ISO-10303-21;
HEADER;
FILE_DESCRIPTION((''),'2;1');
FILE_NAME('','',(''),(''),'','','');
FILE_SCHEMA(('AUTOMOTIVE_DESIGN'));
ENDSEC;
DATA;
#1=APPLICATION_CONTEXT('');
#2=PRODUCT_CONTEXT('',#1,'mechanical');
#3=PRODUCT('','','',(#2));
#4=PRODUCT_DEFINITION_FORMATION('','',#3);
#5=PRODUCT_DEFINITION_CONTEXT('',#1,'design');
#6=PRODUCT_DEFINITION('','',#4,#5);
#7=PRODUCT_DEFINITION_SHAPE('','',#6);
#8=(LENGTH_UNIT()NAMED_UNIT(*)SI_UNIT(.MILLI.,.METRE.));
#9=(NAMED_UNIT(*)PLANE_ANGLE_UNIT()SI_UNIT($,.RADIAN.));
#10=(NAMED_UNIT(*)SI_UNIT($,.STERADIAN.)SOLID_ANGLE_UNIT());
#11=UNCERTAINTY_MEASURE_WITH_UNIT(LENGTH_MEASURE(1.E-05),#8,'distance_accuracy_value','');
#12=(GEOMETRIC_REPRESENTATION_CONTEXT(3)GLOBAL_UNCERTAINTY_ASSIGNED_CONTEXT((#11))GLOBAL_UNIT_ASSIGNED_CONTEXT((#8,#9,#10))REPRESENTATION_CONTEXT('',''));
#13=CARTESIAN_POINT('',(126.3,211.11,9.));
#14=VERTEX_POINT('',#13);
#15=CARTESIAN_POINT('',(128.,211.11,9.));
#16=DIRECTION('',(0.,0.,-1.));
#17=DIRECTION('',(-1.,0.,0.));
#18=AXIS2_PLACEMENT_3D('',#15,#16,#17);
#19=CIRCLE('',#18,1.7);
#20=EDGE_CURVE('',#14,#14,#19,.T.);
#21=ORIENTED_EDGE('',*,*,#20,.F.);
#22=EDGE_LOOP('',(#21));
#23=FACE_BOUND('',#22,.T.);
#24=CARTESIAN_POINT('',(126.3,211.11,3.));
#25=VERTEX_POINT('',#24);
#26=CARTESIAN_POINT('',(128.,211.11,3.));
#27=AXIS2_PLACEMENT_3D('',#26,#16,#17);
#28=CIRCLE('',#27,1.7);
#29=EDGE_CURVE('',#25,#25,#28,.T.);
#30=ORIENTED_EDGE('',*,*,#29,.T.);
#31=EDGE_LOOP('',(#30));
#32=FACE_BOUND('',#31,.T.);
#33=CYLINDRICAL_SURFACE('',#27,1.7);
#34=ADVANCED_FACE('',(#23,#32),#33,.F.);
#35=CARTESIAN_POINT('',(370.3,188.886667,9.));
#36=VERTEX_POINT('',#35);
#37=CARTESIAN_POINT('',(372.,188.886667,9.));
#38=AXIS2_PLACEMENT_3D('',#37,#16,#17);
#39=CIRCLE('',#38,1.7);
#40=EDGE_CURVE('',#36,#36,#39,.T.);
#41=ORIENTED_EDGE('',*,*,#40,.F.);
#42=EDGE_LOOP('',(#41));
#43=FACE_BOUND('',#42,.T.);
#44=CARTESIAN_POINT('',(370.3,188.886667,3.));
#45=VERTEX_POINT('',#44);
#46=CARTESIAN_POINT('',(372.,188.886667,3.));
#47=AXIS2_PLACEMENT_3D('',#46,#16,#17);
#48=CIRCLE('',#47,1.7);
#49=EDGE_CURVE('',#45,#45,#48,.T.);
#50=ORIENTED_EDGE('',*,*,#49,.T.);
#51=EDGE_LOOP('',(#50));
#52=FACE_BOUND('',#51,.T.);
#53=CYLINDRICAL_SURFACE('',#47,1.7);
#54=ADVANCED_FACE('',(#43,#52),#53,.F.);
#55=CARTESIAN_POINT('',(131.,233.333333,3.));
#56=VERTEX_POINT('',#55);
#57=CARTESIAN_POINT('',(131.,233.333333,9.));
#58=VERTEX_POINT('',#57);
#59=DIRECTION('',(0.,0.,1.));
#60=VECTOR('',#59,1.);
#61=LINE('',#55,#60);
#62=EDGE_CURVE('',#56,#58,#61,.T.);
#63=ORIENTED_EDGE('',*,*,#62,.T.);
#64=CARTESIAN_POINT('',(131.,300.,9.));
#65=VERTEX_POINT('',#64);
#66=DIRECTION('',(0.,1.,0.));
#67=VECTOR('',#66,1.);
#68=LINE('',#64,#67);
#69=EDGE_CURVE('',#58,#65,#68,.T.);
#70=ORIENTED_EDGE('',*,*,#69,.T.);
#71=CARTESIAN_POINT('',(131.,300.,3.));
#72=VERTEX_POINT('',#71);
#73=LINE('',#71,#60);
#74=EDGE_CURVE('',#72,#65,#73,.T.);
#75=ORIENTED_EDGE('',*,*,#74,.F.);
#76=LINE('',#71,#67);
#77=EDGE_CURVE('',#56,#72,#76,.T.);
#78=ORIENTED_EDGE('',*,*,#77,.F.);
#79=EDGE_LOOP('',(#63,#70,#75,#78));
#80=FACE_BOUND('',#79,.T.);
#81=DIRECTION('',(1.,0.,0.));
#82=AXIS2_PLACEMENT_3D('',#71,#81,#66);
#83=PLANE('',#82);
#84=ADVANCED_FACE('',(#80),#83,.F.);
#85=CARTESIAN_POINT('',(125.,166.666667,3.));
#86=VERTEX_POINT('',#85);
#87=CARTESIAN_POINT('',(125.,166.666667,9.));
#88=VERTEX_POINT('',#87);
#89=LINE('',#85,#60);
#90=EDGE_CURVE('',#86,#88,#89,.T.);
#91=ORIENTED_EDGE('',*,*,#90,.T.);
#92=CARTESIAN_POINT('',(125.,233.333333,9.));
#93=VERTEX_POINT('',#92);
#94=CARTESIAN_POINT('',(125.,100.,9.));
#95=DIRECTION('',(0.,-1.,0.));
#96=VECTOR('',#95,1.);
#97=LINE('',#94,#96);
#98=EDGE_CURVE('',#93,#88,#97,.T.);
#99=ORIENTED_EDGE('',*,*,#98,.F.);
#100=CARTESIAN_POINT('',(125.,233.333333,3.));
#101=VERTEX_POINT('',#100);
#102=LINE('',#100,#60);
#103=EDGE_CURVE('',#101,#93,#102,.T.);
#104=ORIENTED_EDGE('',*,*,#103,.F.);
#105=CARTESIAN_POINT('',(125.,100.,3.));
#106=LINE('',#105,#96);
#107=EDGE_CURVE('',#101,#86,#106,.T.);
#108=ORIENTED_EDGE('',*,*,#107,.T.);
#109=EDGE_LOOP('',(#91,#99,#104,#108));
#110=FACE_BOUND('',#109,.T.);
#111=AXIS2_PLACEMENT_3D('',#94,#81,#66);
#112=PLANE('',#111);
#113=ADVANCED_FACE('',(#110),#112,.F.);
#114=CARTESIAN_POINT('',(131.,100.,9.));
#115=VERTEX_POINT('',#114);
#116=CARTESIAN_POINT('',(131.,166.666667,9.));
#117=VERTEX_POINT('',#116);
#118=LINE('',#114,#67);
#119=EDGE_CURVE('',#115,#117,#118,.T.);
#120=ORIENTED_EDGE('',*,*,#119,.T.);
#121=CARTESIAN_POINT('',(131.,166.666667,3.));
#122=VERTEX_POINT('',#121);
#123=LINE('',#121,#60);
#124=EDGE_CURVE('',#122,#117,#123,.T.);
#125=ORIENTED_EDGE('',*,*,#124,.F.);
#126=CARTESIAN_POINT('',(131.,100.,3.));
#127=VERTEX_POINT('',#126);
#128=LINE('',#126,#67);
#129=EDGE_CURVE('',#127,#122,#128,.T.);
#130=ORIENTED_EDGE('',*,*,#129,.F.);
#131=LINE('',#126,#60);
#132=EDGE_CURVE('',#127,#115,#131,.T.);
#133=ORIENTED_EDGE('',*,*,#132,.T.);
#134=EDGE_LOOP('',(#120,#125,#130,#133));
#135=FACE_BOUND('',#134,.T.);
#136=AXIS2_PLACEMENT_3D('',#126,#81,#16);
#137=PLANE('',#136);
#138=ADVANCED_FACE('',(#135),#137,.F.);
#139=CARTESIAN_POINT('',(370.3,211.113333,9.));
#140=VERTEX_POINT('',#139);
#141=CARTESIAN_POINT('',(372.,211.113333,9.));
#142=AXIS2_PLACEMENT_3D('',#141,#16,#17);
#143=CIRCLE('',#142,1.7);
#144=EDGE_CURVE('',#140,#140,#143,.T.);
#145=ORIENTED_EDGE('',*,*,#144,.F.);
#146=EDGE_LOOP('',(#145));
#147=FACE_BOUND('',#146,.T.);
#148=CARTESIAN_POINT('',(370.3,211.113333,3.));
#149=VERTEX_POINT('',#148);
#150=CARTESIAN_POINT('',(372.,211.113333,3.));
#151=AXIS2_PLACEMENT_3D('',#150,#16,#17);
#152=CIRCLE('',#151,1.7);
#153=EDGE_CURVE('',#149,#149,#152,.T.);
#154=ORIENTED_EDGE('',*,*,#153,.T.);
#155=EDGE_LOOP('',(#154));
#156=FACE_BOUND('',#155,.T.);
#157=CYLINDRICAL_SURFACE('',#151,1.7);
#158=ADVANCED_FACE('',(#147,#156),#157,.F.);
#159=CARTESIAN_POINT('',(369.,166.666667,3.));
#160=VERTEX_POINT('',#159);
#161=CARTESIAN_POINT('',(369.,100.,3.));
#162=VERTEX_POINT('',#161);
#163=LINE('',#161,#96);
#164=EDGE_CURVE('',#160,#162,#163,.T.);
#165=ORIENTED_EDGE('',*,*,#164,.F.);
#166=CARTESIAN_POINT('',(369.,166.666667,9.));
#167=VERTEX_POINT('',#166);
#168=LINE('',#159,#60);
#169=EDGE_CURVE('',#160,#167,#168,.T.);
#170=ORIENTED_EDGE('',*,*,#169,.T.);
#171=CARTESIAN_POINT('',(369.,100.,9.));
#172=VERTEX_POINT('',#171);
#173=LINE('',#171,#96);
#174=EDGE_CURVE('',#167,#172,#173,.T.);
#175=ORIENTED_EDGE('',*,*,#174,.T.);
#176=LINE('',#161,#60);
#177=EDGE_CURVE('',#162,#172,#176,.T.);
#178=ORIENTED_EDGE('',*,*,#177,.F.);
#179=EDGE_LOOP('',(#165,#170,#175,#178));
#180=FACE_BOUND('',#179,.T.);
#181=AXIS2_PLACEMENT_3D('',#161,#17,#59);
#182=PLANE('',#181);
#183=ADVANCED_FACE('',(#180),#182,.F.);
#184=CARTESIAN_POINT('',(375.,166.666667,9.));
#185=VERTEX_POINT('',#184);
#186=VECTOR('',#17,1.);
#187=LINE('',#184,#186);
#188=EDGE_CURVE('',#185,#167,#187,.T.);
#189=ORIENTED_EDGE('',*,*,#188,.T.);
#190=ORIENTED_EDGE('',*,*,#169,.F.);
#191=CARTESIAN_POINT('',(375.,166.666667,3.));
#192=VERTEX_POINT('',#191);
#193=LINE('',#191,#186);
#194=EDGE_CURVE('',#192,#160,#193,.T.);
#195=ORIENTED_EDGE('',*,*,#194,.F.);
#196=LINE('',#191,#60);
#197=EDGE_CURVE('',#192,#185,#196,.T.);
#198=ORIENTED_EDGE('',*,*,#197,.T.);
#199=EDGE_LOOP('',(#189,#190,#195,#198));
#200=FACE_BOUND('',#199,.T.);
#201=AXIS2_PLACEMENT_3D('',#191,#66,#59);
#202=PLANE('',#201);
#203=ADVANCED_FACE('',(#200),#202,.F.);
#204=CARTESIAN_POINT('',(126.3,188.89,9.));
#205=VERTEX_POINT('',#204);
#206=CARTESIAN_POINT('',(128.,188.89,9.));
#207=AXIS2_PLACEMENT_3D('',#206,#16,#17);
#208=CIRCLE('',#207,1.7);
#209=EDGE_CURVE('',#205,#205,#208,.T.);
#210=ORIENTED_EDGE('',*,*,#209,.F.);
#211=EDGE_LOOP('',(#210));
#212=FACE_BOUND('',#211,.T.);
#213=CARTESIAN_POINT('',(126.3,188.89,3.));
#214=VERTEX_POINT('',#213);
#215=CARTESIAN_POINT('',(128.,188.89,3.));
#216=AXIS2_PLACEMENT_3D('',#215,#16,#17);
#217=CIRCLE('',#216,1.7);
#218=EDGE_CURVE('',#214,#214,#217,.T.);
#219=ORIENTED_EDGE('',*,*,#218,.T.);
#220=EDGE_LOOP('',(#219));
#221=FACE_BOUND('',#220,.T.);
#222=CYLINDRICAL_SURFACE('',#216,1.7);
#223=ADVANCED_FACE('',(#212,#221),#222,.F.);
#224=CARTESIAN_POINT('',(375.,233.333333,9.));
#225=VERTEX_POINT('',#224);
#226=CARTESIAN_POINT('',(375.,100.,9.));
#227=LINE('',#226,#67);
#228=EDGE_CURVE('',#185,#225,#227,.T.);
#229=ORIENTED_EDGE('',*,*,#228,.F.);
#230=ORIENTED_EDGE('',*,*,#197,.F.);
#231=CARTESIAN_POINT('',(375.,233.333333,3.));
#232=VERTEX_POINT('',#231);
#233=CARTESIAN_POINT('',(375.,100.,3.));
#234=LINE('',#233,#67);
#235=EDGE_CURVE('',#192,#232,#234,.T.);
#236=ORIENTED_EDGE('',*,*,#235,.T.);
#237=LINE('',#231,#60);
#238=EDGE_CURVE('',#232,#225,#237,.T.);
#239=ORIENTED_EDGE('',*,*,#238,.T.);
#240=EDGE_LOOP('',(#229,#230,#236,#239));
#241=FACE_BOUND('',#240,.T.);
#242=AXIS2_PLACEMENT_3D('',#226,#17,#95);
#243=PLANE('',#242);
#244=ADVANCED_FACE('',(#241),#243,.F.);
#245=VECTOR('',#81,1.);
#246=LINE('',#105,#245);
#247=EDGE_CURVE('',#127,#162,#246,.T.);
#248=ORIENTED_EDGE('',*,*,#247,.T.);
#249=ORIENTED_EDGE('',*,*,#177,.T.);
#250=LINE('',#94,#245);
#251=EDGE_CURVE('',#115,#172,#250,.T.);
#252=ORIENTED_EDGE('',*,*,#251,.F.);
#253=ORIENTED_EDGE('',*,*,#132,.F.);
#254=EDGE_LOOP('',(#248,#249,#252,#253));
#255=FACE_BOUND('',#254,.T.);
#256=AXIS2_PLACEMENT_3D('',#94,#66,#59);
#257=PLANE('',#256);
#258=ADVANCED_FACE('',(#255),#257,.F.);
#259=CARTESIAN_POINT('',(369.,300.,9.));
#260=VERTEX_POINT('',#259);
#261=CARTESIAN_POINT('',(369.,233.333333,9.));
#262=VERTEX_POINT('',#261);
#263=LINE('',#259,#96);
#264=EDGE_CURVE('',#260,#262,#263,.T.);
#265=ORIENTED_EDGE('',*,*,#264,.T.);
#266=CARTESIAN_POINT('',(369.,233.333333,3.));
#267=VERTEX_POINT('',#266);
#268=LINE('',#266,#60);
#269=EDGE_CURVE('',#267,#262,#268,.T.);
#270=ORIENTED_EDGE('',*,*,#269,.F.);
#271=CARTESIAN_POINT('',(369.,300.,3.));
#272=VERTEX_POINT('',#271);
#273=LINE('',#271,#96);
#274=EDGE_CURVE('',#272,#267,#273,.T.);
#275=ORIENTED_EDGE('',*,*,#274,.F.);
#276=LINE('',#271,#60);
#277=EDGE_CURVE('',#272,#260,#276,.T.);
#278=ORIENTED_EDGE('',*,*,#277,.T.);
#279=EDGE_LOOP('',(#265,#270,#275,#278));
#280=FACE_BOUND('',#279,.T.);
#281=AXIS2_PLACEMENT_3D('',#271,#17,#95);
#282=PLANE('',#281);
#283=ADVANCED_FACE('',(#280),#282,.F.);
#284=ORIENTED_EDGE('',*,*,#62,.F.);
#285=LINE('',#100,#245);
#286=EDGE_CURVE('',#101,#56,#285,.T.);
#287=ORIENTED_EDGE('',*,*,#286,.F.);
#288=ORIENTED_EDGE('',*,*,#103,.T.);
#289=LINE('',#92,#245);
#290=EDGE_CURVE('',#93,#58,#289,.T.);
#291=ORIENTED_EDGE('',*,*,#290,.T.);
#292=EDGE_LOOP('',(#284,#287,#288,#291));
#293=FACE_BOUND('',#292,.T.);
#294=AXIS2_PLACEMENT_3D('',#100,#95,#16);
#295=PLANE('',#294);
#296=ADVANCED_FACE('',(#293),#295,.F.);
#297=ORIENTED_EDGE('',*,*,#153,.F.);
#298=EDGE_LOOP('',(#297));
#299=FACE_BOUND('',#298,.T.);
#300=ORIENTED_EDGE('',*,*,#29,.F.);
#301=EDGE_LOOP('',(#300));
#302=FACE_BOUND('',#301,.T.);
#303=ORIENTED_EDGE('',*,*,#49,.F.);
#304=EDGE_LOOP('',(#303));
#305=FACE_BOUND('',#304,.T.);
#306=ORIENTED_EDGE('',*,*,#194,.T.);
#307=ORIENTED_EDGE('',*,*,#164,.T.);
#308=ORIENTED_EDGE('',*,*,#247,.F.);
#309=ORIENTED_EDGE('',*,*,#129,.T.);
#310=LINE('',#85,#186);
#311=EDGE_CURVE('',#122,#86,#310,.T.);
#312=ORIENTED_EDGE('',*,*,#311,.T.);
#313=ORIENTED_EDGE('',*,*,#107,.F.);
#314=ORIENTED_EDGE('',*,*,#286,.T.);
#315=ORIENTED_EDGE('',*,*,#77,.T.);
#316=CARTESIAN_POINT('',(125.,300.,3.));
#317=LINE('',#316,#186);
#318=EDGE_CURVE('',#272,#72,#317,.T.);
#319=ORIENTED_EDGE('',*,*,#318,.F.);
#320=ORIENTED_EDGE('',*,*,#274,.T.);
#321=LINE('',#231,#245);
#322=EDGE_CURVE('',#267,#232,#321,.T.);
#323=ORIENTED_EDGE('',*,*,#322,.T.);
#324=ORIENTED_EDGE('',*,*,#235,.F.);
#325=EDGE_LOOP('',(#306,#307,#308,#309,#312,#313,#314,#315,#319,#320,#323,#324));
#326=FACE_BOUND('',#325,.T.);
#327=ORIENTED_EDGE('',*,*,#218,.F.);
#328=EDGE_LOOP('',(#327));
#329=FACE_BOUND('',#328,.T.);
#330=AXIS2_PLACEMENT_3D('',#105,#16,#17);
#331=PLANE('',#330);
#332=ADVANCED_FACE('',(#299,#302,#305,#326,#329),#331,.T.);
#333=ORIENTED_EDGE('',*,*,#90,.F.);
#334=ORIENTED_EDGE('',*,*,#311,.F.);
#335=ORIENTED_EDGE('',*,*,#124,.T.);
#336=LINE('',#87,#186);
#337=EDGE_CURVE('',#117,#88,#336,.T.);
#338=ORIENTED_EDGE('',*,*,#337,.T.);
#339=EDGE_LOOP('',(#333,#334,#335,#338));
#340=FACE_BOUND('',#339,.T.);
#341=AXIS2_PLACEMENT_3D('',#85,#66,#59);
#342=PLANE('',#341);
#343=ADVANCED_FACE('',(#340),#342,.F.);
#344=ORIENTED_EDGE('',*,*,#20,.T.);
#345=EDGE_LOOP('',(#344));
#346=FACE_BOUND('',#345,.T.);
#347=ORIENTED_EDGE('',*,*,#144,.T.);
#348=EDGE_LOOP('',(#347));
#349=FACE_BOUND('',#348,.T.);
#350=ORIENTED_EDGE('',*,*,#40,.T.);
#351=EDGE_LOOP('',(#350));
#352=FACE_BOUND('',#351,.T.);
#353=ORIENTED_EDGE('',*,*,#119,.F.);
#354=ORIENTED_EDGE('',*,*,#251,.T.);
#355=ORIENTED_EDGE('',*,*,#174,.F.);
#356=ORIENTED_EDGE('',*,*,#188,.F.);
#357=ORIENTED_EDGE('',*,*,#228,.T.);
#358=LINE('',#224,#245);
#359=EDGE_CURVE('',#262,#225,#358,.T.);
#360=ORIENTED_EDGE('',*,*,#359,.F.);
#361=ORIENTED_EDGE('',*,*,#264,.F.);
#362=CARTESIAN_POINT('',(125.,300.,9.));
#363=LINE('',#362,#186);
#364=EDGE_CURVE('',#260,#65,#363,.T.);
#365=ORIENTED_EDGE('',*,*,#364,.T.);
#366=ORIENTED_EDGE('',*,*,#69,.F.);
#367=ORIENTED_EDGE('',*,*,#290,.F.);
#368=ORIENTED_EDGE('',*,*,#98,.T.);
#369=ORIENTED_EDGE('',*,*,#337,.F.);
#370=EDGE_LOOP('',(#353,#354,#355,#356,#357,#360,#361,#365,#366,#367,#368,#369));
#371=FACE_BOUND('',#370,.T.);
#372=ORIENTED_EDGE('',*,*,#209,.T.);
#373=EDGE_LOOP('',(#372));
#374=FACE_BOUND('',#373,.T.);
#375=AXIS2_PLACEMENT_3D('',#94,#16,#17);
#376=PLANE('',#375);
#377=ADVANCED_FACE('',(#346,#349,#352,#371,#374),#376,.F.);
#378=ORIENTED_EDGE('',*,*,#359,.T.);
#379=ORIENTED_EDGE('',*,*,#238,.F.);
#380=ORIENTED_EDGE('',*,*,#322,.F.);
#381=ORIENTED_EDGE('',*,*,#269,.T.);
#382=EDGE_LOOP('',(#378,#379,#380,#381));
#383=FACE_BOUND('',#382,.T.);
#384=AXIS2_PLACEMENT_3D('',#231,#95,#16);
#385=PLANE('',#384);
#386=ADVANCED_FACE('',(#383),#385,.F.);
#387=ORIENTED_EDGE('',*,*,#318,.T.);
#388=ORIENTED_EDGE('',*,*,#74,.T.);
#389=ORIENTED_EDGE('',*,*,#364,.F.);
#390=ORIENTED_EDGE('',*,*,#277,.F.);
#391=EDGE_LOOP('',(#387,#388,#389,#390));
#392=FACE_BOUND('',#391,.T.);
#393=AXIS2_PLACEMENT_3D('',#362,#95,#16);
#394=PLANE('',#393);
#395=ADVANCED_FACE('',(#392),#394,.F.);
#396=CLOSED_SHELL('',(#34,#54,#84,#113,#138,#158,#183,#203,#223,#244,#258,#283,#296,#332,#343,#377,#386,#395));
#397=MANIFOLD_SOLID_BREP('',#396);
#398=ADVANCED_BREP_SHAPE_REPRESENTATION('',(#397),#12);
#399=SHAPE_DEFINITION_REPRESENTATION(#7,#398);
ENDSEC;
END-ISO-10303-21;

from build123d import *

# Parameters (mm, degrees)
SKETCH1_W            = 500
SKETCH1_H            = 400
BOSS_EXTRUDE1_DEPTH  = 12
SKETCH2_W            = 12
SKETCH2_H            = 133.333333333
CUT_EXTRUDE1_DEPTH   = 12
SCALE1_SCALE         = 0.5
M3_CLEARANCE_SLOT1_D = 3.4


with BuildPart() as part:
    # Sketch1 → Boss-Extrude1 (new body)
    with BuildSketch(Plane.XY):
        with Locations((250, 200)):
            Rectangle(SKETCH1_W, SKETCH1_H)
    extrude(amount=BOSS_EXTRUDE1_DEPTH)

    # Sketch2 → Cut-Extrude1 (cut)
    with BuildSketch(Plane.XY.offset(12)):
        with Locations((494, 333.333333334)):
            Rectangle(SKETCH2_W, SKETCH2_H)
        with Locations((6, 333.333333334)):
            Rectangle(SKETCH2_W, SKETCH2_H)
        with Locations((6, 66.666666667)):
            Rectangle(SKETCH2_W, SKETCH2_H)
        with Locations((494, 66.666666667)):
            Rectangle(SKETCH2_W, SKETCH2_H)
    extrude(amount=-CUT_EXTRUDE1_DEPTH, mode=Mode.SUBTRACT)


with BuildPart() as part_1:
    # Scale1: scaled about (250, 200, 6)
    add(part.part.scale(SCALE1_SCALE).moved(Location((125, 100, 3))))

    # M3 Clearance Slot1 (through all)
    with Locations(Plane(origin=(0, 0, 3), x_dir=(-1, 0, 0), z_dir=(0, 0, -1))):
        with Locations((-372, 211.113333333), (-372, 188.886666667), (-128, 211.11), (-128, 188.89)):
            Hole(M3_CLEARANCE_SLOT1_D / 2)


solid = part_1.part
